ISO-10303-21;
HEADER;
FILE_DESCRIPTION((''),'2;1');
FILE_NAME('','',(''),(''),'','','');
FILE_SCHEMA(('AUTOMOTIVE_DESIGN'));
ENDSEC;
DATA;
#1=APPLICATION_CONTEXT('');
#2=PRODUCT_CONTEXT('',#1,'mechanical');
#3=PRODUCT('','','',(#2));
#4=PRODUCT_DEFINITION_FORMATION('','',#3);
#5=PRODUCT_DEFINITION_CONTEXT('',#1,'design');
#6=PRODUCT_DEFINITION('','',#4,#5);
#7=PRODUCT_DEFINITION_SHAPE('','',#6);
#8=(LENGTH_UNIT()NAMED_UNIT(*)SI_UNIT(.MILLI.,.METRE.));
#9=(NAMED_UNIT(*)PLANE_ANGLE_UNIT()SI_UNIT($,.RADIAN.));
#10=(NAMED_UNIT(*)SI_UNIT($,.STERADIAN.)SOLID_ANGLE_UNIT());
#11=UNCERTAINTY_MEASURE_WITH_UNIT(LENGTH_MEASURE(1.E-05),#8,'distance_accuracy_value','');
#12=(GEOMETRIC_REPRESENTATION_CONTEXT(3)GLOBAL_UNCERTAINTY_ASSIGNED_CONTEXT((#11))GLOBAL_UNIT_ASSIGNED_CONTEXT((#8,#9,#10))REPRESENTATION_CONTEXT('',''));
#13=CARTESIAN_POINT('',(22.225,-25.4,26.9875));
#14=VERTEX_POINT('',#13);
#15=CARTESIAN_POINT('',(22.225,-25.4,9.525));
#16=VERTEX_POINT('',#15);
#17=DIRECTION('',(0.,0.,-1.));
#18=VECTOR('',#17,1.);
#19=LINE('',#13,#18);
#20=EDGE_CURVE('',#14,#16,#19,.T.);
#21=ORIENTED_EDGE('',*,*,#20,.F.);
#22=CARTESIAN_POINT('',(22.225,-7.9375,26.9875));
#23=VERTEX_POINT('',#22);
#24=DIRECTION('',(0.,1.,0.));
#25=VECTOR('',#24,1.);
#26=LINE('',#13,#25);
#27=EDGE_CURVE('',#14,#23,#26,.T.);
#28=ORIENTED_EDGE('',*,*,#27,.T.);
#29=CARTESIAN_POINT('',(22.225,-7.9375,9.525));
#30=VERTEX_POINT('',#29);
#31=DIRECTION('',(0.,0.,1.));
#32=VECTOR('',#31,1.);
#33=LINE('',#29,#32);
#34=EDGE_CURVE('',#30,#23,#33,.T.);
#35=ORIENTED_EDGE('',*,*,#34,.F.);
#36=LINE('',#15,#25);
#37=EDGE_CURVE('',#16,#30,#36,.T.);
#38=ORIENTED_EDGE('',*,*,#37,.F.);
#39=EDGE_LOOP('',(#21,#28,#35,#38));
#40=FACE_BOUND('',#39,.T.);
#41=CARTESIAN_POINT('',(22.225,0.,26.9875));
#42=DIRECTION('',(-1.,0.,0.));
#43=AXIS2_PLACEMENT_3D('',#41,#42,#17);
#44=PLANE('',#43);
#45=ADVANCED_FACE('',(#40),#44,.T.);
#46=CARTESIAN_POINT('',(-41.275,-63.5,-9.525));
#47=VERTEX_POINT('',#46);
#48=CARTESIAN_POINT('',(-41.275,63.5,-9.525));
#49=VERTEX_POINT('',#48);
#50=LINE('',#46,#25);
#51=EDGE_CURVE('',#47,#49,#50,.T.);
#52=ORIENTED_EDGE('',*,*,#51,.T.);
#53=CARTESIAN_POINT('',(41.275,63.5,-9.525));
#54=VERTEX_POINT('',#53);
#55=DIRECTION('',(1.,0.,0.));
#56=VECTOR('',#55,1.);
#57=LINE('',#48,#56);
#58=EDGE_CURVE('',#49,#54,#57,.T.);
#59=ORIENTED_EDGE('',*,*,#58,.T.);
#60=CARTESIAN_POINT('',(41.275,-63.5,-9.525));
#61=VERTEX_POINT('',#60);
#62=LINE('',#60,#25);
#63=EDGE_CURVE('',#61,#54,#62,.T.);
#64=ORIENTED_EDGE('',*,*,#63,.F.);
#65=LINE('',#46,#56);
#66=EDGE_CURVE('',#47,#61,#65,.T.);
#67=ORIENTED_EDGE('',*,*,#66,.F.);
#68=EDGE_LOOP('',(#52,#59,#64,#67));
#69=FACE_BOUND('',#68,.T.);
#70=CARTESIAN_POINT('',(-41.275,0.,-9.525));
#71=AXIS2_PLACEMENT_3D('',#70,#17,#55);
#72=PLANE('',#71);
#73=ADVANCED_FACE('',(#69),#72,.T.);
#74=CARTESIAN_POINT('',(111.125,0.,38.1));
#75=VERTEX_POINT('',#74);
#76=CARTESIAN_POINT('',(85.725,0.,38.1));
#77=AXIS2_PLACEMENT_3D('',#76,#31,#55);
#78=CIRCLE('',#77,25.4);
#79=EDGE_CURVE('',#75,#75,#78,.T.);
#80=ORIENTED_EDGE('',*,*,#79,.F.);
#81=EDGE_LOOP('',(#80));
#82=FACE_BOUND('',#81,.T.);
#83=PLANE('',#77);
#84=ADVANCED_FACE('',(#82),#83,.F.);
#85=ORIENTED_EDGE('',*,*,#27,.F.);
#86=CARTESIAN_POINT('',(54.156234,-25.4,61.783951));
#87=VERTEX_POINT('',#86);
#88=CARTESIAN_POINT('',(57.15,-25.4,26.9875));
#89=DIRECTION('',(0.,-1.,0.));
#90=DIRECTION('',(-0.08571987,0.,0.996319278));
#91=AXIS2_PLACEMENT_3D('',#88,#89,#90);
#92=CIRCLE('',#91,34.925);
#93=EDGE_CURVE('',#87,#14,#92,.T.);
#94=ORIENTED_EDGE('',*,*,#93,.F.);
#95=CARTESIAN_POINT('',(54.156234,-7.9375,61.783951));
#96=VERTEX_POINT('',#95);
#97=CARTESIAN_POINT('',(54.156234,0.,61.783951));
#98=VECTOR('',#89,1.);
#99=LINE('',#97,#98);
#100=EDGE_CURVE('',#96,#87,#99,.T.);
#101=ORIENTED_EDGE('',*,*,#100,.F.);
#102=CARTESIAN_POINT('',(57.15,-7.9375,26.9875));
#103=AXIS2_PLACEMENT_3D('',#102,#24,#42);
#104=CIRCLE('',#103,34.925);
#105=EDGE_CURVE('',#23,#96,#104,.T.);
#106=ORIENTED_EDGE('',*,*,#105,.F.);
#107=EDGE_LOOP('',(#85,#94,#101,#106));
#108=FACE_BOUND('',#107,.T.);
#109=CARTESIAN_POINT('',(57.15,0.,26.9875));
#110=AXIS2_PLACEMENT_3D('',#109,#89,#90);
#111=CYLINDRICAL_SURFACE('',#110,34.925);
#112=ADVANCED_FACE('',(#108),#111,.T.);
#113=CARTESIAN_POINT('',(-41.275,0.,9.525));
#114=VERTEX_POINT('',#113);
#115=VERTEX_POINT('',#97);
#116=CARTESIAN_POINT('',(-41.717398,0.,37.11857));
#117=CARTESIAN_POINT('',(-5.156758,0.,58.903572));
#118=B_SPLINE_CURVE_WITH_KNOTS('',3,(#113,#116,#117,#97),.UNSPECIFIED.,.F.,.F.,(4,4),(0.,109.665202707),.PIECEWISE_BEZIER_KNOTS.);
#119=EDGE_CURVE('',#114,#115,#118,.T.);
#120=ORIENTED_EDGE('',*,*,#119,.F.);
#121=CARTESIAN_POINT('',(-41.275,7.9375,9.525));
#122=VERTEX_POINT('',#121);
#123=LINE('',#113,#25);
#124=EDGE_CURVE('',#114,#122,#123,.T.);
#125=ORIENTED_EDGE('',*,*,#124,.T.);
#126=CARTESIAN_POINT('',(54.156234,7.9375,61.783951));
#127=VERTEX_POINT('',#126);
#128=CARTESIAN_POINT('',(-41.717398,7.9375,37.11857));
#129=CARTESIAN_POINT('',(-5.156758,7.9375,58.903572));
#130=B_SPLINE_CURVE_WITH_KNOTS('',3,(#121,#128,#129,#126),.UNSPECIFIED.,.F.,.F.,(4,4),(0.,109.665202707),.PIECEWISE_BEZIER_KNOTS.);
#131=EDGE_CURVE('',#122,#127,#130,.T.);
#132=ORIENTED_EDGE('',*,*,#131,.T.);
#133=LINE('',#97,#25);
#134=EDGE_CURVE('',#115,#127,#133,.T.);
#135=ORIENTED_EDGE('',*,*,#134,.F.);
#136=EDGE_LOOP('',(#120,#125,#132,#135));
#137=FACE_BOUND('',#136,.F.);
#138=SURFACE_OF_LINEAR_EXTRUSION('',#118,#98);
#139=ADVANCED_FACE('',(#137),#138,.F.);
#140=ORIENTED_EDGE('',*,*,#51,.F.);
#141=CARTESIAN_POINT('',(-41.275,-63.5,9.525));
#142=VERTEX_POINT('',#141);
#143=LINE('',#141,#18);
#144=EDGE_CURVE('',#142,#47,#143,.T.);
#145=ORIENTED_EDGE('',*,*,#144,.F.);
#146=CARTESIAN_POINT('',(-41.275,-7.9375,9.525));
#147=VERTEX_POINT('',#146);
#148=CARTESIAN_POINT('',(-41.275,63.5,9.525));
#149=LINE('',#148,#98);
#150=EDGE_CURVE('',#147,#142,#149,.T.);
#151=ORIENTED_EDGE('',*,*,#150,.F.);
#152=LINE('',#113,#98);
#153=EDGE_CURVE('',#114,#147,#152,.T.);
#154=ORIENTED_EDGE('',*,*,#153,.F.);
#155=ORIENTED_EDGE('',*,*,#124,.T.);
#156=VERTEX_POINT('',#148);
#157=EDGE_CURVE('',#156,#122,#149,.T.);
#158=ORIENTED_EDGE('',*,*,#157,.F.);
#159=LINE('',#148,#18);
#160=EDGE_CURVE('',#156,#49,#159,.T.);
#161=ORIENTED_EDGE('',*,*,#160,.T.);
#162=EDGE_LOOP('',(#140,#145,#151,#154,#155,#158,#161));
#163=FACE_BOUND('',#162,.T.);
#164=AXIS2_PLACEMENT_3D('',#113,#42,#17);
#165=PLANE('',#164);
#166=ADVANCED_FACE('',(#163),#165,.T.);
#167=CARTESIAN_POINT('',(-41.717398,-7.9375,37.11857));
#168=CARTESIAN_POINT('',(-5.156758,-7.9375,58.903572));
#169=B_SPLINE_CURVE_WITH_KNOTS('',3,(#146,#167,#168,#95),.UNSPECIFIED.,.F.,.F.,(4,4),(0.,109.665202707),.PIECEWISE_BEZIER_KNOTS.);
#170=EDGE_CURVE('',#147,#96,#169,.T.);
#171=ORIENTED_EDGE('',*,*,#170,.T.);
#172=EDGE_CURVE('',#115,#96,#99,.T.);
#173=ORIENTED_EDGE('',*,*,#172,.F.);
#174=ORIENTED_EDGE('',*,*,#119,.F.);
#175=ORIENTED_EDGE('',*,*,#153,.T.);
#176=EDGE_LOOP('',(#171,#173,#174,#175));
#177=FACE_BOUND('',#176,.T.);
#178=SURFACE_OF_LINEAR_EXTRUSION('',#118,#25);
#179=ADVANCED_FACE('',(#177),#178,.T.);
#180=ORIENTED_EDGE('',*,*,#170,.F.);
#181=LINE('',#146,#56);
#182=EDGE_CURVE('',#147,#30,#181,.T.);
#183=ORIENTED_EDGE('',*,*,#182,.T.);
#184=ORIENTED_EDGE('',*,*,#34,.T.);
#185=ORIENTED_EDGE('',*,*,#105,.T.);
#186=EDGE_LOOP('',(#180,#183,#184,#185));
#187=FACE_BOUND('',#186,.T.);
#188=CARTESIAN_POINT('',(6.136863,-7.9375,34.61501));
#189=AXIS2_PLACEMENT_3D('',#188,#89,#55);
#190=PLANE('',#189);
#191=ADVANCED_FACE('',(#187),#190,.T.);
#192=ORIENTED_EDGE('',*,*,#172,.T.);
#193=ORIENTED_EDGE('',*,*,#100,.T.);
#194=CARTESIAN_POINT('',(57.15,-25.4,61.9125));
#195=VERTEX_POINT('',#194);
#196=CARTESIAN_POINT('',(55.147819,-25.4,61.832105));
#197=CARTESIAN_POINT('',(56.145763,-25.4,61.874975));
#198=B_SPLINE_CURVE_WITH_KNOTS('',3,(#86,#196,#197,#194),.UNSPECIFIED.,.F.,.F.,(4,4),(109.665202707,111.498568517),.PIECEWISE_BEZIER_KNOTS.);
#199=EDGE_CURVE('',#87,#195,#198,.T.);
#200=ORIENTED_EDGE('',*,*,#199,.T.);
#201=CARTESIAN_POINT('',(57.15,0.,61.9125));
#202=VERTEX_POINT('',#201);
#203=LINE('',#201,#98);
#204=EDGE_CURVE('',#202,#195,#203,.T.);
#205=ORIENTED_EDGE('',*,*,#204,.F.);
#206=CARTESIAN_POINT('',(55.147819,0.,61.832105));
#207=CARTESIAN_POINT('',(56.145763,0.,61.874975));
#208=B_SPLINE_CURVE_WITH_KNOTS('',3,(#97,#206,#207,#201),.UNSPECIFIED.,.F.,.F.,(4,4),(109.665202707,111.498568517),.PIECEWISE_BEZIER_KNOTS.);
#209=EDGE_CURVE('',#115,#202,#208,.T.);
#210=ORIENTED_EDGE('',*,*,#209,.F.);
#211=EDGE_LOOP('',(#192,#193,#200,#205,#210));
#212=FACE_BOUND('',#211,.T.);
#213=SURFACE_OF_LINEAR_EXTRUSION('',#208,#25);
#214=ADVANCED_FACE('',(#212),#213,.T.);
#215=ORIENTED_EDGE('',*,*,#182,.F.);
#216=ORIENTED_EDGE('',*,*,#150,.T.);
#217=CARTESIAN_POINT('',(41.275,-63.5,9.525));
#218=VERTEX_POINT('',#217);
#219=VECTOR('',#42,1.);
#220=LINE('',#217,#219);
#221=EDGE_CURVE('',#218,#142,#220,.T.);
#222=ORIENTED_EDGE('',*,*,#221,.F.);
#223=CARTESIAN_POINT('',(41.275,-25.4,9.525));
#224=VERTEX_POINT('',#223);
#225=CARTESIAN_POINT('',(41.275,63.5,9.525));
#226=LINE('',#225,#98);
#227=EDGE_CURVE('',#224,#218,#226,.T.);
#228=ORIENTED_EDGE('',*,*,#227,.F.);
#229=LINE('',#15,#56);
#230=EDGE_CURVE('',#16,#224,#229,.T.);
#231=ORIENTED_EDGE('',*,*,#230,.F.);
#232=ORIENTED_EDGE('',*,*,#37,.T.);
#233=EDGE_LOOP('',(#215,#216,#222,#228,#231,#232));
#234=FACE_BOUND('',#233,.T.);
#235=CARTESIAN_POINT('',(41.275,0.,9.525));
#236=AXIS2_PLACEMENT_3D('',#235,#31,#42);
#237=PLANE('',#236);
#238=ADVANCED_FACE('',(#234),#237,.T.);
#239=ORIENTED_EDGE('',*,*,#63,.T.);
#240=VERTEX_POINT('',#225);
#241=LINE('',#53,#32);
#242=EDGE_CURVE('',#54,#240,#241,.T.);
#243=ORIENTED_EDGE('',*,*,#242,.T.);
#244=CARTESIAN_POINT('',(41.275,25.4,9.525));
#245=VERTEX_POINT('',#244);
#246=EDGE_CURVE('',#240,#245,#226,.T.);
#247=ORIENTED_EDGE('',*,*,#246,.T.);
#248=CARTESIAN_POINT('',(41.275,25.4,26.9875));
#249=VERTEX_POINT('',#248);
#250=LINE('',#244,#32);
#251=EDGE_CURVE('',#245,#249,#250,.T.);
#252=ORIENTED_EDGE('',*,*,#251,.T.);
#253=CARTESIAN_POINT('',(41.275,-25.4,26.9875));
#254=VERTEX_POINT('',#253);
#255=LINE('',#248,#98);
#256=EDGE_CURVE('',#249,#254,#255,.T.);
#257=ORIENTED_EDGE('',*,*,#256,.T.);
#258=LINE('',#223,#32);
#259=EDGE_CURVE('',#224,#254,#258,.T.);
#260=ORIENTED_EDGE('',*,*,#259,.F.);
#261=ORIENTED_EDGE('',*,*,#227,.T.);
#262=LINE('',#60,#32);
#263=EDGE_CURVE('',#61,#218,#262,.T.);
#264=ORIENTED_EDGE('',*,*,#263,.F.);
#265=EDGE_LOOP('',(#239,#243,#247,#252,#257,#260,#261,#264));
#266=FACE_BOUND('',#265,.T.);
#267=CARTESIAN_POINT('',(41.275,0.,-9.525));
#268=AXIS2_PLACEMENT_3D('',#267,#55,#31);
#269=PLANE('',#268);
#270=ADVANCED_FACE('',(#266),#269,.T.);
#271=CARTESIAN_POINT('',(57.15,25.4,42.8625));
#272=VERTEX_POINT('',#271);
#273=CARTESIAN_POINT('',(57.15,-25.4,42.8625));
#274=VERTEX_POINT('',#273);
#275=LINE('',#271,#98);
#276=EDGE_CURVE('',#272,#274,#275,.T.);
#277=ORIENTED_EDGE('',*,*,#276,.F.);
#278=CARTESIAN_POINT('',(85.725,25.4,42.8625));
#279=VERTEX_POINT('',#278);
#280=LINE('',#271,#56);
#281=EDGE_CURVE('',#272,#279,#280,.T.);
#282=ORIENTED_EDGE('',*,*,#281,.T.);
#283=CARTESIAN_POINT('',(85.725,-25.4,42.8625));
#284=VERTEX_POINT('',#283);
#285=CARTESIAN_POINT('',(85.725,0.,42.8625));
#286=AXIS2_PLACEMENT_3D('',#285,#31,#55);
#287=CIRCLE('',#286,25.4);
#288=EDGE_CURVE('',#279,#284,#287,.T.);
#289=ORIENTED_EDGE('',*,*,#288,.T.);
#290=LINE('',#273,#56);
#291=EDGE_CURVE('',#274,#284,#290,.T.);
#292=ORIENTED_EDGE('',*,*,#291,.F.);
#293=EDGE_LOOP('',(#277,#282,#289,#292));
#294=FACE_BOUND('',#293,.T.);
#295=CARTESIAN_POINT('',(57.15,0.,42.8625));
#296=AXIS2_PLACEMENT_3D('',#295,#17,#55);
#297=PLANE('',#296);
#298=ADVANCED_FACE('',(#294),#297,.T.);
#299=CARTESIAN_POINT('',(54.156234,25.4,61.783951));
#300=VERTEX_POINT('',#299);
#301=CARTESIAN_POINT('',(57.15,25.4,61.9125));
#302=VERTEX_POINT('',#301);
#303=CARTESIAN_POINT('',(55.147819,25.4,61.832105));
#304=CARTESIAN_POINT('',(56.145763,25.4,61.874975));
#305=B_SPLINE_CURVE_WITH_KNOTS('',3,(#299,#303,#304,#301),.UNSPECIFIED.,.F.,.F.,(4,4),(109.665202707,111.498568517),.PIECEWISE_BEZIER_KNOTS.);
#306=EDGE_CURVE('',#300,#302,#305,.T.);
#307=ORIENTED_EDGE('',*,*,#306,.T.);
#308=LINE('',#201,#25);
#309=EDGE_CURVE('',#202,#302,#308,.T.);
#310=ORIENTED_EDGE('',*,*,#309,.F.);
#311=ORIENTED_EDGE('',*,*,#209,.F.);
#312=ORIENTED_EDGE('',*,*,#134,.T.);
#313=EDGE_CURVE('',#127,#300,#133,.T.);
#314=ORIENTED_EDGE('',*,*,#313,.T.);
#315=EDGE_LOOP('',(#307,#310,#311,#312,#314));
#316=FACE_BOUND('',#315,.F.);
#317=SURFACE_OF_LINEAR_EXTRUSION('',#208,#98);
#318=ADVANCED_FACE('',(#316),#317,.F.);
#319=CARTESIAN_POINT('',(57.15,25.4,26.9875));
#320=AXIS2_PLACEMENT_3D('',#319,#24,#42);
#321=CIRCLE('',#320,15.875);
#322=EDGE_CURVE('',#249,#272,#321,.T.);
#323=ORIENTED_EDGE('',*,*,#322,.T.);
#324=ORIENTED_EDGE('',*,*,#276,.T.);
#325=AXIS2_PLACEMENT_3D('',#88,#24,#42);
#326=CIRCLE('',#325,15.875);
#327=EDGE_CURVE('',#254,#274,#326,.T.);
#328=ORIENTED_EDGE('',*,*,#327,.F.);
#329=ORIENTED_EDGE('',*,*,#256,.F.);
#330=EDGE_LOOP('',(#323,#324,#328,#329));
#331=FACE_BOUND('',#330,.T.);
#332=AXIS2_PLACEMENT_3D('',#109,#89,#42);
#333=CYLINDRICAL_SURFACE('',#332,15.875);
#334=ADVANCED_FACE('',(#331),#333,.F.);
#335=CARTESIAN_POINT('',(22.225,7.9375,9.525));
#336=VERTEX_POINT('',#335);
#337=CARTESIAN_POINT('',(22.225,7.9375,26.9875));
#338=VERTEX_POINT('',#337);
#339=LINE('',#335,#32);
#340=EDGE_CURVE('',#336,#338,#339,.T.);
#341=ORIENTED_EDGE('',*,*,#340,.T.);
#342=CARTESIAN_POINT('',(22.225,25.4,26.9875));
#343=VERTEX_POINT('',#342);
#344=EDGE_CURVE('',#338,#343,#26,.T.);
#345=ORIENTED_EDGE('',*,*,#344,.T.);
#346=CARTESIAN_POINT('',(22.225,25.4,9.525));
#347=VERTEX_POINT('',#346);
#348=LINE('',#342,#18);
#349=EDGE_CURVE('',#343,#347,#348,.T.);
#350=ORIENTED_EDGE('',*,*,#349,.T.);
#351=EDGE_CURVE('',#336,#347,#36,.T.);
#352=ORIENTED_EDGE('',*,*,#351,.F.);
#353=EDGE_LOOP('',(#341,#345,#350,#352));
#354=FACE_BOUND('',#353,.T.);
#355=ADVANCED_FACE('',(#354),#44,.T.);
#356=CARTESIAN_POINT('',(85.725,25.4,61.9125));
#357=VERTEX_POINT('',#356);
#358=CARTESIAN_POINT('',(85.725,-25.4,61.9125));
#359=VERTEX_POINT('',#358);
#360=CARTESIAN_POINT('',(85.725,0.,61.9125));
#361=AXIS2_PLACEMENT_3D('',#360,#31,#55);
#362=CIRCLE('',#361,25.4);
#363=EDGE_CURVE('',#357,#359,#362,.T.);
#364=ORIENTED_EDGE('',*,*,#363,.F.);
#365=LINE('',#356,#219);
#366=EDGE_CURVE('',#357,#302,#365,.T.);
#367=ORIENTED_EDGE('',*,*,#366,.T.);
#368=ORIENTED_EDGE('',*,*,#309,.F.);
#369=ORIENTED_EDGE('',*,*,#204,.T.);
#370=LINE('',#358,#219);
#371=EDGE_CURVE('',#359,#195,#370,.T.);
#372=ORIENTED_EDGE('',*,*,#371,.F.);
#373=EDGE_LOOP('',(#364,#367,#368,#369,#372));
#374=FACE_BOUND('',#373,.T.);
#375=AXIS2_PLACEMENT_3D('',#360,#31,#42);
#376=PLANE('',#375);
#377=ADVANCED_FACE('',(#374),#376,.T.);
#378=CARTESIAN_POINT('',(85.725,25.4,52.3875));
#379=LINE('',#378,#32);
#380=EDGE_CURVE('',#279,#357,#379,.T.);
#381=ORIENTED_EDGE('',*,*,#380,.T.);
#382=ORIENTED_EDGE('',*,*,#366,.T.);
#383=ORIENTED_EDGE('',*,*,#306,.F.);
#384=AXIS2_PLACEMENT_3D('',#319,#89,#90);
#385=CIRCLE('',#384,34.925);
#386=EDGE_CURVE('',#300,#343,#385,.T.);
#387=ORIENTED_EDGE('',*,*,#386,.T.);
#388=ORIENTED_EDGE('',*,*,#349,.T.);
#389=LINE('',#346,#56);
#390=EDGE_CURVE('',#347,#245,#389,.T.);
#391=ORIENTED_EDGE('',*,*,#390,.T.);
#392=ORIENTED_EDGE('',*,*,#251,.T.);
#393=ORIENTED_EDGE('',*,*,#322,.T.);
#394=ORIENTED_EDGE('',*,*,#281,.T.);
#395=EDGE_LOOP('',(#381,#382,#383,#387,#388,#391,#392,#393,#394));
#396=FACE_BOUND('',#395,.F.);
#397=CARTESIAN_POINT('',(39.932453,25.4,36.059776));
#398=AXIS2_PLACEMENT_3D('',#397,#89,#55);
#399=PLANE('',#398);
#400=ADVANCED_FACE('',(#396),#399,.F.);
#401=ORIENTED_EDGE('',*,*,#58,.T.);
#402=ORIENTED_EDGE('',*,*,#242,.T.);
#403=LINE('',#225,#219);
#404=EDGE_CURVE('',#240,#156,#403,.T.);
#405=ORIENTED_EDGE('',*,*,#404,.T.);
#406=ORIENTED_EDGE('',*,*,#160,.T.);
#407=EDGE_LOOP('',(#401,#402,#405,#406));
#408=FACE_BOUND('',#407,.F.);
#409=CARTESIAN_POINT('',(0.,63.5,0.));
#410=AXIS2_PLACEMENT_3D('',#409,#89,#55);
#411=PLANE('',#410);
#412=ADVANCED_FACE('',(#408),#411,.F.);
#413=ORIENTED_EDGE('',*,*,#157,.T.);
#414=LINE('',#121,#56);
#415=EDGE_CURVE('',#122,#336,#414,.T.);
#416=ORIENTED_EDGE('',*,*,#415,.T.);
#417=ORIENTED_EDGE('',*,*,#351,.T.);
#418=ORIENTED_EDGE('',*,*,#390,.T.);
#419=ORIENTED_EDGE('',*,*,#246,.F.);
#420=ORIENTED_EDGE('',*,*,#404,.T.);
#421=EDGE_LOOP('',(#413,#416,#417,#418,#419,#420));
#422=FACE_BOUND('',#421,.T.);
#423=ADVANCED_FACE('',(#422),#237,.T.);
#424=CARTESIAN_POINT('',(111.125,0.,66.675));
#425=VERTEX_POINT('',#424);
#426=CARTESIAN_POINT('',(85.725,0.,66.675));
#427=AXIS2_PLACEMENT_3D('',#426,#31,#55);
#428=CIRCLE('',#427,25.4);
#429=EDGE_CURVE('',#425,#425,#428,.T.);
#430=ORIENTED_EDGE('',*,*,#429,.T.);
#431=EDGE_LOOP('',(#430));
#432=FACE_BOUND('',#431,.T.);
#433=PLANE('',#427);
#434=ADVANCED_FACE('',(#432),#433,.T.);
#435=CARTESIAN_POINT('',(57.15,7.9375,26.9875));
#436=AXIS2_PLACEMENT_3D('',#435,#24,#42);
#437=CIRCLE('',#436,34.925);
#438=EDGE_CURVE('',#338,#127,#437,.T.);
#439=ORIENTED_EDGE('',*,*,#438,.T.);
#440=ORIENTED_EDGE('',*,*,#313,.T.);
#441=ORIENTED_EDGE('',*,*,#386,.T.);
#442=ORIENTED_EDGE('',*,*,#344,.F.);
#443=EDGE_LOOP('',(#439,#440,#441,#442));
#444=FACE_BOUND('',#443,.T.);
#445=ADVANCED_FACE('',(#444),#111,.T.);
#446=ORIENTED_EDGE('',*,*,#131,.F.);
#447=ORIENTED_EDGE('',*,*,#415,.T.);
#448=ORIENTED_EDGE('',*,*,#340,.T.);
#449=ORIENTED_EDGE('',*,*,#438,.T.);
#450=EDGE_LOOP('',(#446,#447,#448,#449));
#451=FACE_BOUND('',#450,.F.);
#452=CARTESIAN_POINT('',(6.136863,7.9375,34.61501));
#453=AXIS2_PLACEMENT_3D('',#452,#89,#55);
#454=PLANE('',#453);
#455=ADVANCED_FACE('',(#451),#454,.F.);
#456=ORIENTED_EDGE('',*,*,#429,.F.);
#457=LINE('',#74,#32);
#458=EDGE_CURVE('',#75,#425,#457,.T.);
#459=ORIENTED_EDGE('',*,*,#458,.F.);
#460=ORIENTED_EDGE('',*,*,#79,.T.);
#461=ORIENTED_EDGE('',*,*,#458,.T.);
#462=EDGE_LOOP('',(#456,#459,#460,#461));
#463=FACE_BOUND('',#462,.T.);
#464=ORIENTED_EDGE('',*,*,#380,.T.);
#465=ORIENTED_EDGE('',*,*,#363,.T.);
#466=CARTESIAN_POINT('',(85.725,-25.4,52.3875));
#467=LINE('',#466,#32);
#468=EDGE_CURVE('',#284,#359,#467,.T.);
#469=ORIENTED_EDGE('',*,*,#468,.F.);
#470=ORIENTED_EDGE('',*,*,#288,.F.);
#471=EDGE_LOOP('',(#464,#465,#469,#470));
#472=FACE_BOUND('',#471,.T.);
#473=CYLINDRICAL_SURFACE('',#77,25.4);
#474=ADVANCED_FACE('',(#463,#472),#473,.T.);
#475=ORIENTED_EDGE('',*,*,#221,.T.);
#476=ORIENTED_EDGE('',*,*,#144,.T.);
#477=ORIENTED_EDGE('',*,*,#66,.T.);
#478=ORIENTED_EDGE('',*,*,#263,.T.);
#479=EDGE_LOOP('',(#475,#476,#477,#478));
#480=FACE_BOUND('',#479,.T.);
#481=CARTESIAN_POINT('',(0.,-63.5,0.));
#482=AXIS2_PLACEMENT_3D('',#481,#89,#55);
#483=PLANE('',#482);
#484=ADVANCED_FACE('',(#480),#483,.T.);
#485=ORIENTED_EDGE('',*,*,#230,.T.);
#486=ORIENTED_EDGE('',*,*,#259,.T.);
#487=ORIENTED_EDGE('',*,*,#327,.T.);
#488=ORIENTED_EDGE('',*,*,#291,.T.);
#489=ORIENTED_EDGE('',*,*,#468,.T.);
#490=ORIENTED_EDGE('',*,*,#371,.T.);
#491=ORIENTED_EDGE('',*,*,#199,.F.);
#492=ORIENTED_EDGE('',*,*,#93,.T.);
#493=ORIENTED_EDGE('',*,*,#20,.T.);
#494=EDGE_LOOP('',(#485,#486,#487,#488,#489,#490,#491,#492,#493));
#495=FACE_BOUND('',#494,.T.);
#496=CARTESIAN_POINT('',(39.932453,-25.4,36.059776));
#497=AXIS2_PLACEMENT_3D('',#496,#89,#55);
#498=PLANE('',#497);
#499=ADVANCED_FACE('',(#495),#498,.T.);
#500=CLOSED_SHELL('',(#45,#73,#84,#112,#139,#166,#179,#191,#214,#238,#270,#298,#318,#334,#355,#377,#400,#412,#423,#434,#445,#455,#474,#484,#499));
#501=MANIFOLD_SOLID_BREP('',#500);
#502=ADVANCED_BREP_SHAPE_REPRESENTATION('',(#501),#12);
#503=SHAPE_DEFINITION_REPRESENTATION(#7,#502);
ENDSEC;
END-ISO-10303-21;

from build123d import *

# Parameters (mm, degrees)
F1_DEPTH = 63.5
F0_W     = 25.4
F0_H     = 19.05
F2_DEPTH = 25.4
F3_DEPTH = 7.9375


with BuildPart() as f1:
    # F0 (on Front) → F1 (new body, symmetric)
    with BuildSketch(Plane.XZ):
        Polygon((41.275, -9.525), (41.275, 9.525), (22.225, 9.525), (-41.275, 9.525), (-41.275, -9.525), align=None)
    extrude(amount=F1_DEPTH, both=True)

    # F0 (on Front) → F2 (join, symmetric)
    with BuildSketch(Plane.XZ):
        with BuildLine():
            Line((22.225, 9.525), (41.275, 9.525))
            Line((41.275, 9.525), (41.275, 26.9875))
            ThreePointArc((41.275, 26.9875), (45.9246798487, 38.2128201513), (57.15, 42.8625))
            Line((57.15, 42.8625), (60.325, 42.8625))
            Line((60.325, 42.8625), (60.325, 61.9125))
            Line((60.325, 61.9125), (57.15, 61.9125))
            add(Edge.make_bspline(
                [(54.1562335502, 61.783950788), (55.1478189239, 61.8321045059), (56.1457632688, 61.8749746399), (57.15, 61.9125)],
                knots=[109.6652027071, 109.6652027071, 109.6652027071, 109.6652027071, 111.4985685166, 111.4985685166, 111.4985685166, 111.4985685166], degree=3))
            ThreePointArc((54.1562335502, 61.783950788), (31.4175990407, 50.6010377669), (22.225, 26.9875))
            Line((22.225, 26.9875), (22.225, 9.525))
        make_face()
        with Locations((73.025, 52.3875)):
            Rectangle(F0_W, F0_H)
    extrude(amount=F2_DEPTH, both=True)

    # F0 (on Front) → F3 (join, symmetric)
    with BuildSketch(Plane.XZ):
        with BuildLine():
            Line((-41.275, 9.525), (22.225, 9.525))
            Line((22.225, 9.525), (22.225, 26.9875))
            ThreePointArc((22.225, 26.9875), (31.4175990407, 50.6010377669), (54.1562335502, 61.783950788))
            add(Edge.make_bspline(
                [(-41.275, 9.525), (-41.7173976774, 37.118570419), (-5.1567581261, 58.9035724155), (54.1562335502, 61.783950788)],
                knots=[0, 0, 0, 0, 109.6652027071, 109.6652027071, 109.6652027071, 109.6652027071], degree=3))
        make_face()
    extrude(amount=F3_DEPTH, both=True)

    # F0 (on Front) → F4 (revolve)
    with BuildSketch(Plane.XZ):
        Polygon((85.725, 61.9125), (85.725, 42.8625), (85.725, 38.1), (111.125, 38.1), (111.125, 66.675), (85.725, 66.675), align=None)
    revolve(axis=Axis((85.725, 0, 52.3875), (0, 0, 1)))


solid = f1.part
